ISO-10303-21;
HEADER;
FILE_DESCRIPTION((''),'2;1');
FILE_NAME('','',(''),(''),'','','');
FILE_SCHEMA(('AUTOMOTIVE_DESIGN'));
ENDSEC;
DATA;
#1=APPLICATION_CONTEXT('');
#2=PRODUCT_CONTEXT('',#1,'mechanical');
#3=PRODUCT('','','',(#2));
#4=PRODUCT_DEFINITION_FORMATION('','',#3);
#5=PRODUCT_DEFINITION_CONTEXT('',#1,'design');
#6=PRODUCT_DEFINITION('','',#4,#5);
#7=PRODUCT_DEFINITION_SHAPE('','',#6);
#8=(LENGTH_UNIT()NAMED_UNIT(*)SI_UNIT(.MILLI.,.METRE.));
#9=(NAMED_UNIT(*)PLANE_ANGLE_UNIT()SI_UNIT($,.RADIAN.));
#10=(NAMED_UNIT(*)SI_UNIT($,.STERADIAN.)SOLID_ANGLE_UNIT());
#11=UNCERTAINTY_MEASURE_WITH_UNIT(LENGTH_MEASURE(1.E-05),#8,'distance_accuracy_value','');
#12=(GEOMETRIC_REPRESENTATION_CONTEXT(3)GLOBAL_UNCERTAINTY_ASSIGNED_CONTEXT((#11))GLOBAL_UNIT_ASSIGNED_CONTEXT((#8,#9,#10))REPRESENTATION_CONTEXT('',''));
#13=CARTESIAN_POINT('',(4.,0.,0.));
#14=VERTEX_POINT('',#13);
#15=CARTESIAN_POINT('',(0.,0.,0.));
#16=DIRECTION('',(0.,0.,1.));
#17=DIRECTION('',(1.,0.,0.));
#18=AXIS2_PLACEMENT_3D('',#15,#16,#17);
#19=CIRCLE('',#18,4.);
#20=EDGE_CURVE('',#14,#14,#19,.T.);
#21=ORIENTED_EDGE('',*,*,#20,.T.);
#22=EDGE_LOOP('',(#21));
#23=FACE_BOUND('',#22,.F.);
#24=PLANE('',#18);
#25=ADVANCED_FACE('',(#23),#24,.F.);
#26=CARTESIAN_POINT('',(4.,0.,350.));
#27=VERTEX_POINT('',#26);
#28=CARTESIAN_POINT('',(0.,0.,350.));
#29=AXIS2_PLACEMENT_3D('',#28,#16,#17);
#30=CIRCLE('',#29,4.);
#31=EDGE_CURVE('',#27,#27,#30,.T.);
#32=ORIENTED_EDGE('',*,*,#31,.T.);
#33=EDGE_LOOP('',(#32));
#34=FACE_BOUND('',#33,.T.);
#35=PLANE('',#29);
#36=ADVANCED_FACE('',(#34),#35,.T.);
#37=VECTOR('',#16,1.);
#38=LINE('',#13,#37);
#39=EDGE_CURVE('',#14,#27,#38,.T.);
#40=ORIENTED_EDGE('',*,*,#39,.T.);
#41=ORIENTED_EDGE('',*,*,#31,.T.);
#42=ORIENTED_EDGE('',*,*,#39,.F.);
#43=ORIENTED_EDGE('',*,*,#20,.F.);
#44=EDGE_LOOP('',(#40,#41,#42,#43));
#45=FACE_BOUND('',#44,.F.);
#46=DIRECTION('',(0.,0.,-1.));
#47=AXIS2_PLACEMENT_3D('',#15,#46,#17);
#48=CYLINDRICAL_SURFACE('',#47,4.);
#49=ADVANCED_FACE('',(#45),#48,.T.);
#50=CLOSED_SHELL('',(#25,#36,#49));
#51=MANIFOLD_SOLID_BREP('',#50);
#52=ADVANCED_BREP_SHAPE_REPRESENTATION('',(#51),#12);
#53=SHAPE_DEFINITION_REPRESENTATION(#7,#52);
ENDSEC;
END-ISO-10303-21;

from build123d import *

# Parameters (mm, degrees)
CYLINDER_R     = 4
CYLINDER_DEPTH = 350


with BuildPart() as part:
    # Cylinder → Cylinder (new body)
    with BuildSketch(Plane.XY):
        Circle(CYLINDER_R)
    extrude(amount=CYLINDER_DEPTH)


solid = part.part
